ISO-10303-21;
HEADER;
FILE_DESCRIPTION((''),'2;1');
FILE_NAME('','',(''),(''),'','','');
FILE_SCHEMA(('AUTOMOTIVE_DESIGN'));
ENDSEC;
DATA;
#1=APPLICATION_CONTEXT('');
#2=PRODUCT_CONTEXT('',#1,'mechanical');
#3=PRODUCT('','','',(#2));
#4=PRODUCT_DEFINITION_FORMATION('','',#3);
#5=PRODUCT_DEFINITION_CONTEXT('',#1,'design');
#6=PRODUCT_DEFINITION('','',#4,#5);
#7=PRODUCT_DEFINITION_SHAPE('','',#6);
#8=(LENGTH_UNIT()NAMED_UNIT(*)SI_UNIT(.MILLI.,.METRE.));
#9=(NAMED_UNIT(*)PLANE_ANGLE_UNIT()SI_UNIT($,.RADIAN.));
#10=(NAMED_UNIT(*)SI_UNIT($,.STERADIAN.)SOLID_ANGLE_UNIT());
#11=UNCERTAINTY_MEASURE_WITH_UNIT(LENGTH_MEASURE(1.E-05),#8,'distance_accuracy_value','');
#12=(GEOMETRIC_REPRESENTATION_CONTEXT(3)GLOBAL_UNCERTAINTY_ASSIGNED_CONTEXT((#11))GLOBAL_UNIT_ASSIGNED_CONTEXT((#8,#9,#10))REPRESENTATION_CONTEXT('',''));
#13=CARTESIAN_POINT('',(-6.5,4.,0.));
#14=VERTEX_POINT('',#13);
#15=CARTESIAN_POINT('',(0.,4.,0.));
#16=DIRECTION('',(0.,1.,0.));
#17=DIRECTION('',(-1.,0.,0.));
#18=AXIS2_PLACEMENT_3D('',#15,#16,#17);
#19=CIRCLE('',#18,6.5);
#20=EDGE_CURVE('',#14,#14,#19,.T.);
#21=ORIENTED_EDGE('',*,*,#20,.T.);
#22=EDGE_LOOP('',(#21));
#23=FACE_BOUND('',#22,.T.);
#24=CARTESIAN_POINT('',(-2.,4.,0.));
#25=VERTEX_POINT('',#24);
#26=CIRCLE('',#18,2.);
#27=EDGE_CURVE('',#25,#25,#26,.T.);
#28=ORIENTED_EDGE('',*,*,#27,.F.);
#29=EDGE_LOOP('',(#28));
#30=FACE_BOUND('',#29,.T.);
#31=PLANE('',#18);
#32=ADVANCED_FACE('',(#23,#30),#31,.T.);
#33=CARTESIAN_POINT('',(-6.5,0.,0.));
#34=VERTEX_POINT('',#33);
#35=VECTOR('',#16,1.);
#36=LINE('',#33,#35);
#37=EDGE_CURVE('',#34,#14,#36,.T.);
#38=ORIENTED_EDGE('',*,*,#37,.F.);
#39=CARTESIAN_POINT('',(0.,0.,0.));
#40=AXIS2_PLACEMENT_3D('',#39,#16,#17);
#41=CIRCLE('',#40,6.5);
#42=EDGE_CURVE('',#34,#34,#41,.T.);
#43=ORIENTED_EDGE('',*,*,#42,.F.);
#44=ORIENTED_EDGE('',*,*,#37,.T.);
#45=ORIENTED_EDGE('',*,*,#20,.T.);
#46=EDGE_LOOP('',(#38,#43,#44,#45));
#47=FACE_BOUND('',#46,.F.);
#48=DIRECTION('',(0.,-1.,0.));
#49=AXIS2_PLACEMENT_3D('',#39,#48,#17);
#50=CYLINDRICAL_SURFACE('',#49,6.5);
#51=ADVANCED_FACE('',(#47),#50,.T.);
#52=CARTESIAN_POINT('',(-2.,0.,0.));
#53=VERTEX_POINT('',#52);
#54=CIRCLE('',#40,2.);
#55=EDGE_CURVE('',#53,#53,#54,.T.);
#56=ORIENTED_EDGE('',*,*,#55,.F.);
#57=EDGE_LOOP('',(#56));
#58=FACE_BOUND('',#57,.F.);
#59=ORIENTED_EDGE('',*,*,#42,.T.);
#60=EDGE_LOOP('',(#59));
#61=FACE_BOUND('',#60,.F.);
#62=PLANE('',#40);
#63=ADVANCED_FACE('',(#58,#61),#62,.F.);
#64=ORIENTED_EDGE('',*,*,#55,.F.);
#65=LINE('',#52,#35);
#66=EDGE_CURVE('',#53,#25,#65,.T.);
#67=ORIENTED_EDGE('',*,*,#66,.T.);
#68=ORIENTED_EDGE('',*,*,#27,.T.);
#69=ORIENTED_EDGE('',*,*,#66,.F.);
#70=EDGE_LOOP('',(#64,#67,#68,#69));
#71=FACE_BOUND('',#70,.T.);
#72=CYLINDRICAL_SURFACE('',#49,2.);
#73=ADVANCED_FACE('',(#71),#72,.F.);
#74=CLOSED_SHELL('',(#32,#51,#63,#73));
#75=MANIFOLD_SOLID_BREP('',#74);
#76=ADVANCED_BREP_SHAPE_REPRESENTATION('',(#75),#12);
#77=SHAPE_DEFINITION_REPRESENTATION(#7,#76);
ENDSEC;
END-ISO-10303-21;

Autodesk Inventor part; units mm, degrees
ref_plane "YZ Plane" through (0, 0, 0) normal (1, 0, 0) x (0, 1, 0)
ref_plane "XZ Plane" through (0, 0, 0) normal (0, 1, 0) x (-1, 0, 0)
ref_plane "XY Plane" through (0, 0, 0) normal (0, 0, 1) x (1, 0, 0)
sketch "Эскиз1" plane through (0, 0, 0) normal (0, 1, 0) x (-1, 0, 0)
  circle A0 centre (0, 0) radius 6.5
  circle A1 centre (0, 0) radius 2
  dimension "d0" = 13
  dimension "d1" = 4
extrude "Выдавливание1" add sketch "Эскиз1" along normal blind 4
properties part number "мини_подшипник"
